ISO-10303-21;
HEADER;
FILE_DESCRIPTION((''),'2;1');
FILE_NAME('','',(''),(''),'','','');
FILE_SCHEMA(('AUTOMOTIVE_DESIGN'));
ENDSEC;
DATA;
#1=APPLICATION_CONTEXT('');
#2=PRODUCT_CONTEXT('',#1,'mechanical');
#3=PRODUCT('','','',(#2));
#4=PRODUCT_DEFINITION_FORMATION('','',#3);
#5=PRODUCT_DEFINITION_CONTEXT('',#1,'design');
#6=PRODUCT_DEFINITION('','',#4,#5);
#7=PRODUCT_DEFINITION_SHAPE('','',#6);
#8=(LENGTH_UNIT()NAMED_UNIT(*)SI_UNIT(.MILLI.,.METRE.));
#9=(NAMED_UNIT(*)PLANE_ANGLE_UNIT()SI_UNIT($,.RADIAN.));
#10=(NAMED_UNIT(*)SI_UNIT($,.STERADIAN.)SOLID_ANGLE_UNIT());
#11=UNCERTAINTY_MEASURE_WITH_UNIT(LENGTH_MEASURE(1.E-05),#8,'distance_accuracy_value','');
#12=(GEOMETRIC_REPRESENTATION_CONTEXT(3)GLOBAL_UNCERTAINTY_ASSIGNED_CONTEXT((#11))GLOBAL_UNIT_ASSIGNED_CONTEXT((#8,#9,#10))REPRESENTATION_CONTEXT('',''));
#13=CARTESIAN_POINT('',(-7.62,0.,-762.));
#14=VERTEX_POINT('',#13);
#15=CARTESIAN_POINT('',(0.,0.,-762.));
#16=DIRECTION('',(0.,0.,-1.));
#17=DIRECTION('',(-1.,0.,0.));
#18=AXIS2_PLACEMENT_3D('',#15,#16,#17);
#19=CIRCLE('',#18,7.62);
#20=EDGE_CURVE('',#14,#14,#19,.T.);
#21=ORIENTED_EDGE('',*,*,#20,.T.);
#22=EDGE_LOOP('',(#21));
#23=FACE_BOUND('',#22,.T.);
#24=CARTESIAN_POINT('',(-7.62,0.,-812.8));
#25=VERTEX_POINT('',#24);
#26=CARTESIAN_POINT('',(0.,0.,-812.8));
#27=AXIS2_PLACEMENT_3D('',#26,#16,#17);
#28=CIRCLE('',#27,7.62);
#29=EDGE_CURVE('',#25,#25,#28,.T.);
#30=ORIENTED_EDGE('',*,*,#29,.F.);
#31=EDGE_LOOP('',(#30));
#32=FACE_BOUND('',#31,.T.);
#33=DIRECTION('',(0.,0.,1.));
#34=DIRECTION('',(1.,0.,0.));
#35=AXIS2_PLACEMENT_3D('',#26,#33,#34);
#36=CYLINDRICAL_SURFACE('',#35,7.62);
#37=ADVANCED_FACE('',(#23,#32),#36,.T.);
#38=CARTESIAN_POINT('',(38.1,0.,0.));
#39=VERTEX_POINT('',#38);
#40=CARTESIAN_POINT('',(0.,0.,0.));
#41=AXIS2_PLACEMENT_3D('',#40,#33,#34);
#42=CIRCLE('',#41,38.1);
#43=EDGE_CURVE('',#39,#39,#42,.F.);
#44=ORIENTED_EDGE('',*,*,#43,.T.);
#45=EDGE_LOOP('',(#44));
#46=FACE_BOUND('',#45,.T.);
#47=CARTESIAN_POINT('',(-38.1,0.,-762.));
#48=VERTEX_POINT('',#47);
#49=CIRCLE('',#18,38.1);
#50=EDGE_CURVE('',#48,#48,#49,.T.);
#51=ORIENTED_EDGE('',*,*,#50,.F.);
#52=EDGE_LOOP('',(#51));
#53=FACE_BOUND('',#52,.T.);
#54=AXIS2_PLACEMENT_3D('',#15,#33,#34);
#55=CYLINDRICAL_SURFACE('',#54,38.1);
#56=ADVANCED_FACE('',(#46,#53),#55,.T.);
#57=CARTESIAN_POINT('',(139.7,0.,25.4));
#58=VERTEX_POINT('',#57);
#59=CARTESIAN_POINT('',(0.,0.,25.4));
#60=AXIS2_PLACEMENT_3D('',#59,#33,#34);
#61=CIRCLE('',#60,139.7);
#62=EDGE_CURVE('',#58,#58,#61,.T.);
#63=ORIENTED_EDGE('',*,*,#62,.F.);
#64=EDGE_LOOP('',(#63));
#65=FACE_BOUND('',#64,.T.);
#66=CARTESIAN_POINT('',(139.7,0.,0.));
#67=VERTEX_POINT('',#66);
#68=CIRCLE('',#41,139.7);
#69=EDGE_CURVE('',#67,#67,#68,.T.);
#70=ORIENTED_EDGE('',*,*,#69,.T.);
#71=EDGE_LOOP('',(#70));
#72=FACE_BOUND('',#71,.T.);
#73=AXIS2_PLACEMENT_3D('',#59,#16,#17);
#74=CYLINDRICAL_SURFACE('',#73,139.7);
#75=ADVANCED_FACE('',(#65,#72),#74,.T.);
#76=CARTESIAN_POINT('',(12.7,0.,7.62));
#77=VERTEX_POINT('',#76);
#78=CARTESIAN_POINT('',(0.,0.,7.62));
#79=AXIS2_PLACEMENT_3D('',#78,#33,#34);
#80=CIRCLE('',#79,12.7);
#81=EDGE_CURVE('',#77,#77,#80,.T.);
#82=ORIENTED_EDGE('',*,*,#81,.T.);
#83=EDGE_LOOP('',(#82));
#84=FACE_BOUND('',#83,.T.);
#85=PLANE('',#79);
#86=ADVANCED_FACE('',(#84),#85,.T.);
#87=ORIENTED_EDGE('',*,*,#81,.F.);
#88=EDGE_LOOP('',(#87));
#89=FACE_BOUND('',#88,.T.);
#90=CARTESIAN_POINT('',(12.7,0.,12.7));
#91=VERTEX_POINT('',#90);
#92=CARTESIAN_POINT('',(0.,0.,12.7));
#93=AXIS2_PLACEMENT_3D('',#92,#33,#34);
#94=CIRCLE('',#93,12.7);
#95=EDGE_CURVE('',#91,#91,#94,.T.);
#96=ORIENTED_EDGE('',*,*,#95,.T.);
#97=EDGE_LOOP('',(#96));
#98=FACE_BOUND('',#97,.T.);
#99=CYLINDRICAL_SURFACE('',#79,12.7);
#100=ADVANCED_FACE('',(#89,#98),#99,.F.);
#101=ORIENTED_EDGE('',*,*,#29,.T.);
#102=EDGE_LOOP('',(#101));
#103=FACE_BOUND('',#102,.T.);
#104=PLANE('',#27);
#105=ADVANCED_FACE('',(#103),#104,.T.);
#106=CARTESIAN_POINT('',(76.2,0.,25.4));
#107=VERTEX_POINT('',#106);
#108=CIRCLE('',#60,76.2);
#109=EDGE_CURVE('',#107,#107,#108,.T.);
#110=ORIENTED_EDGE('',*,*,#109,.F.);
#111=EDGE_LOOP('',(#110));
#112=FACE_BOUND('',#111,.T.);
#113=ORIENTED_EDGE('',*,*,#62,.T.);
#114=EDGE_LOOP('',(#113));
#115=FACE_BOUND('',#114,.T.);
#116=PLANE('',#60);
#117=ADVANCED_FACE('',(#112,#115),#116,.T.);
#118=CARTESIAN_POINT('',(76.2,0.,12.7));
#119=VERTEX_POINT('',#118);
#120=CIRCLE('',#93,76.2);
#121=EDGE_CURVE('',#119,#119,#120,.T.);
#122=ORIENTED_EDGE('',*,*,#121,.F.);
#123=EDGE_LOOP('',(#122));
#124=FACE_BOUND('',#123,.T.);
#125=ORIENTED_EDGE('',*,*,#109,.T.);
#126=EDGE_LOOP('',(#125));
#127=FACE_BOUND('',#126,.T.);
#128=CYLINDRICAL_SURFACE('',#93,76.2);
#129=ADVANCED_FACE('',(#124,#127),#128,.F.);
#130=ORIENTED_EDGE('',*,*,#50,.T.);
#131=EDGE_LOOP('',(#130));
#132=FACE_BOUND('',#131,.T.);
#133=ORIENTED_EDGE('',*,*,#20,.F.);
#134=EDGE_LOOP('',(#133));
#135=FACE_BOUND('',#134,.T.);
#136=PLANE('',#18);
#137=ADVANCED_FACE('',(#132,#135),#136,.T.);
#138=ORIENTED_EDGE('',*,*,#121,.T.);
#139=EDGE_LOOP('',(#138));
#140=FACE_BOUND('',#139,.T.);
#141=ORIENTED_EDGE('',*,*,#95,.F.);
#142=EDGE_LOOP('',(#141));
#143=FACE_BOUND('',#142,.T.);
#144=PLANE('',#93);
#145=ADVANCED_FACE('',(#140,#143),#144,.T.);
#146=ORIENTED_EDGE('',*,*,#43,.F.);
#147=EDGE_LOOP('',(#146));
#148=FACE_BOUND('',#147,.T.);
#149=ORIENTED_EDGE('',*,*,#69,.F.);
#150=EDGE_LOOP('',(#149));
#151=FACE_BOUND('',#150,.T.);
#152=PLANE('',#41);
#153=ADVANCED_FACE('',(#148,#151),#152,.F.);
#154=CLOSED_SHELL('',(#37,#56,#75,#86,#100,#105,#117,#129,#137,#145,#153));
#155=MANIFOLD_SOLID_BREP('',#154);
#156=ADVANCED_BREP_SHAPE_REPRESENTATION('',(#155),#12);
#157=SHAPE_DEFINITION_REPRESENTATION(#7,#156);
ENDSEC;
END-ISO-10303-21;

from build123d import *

# Parameters (mm, degrees)
SKETCH1_R           = 139.7
BOSS_EXTRUDE1_DEPTH = 25.4
SKETCH3_R           = 38.1
BOSS_EXTRUDE2_DEPTH = 762
SKETCH5_R           = 7.62
BOSS_EXTRUDE3_DEPTH = 50.8
SKETCH7_R           = 76.2
CUT_EXTRUDE1_DEPTH  = 12.7
SKETCH9_R           = 12.7
CUT_EXTRUDE3_DEPTH  = 5.08


with BuildPart() as part:
    # Sketch1 → Boss-Extrude1 (new body)
    with BuildSketch(Plane.XY):
        Circle(SKETCH1_R)
    extrude(amount=BOSS_EXTRUDE1_DEPTH)

    # Sketch3 → Boss-Extrude2 (add)
    with BuildSketch(Plane(origin=(0, 0, 0), x_dir=(-1, 0, 0), z_dir=(0, 0, -1))):
        with Locations(Location((0, 0, 0), (0, 0, 180))):
            Circle(SKETCH3_R)
    extrude(amount=BOSS_EXTRUDE2_DEPTH)

    # Sketch5 → Boss-Extrude3 (add)
    with BuildSketch(Plane(origin=(0, 0, -762), x_dir=(-1, 0, 0), z_dir=(0, 0, -1))):
        Circle(SKETCH5_R)
    extrude(amount=BOSS_EXTRUDE3_DEPTH)

    # Sketch7 → Cut-Extrude1 (cut)
    with BuildSketch(Plane.XY.offset(25.4)):
        Circle(SKETCH7_R)
    extrude(amount=-CUT_EXTRUDE1_DEPTH, mode=Mode.SUBTRACT)

    # Sketch9 → Cut-Extrude3 (cut)
    with BuildSketch(Plane.XY.offset(12.7)):
        Circle(SKETCH9_R)
    extrude(amount=-CUT_EXTRUDE3_DEPTH, mode=Mode.SUBTRACT)


solid = part.part
